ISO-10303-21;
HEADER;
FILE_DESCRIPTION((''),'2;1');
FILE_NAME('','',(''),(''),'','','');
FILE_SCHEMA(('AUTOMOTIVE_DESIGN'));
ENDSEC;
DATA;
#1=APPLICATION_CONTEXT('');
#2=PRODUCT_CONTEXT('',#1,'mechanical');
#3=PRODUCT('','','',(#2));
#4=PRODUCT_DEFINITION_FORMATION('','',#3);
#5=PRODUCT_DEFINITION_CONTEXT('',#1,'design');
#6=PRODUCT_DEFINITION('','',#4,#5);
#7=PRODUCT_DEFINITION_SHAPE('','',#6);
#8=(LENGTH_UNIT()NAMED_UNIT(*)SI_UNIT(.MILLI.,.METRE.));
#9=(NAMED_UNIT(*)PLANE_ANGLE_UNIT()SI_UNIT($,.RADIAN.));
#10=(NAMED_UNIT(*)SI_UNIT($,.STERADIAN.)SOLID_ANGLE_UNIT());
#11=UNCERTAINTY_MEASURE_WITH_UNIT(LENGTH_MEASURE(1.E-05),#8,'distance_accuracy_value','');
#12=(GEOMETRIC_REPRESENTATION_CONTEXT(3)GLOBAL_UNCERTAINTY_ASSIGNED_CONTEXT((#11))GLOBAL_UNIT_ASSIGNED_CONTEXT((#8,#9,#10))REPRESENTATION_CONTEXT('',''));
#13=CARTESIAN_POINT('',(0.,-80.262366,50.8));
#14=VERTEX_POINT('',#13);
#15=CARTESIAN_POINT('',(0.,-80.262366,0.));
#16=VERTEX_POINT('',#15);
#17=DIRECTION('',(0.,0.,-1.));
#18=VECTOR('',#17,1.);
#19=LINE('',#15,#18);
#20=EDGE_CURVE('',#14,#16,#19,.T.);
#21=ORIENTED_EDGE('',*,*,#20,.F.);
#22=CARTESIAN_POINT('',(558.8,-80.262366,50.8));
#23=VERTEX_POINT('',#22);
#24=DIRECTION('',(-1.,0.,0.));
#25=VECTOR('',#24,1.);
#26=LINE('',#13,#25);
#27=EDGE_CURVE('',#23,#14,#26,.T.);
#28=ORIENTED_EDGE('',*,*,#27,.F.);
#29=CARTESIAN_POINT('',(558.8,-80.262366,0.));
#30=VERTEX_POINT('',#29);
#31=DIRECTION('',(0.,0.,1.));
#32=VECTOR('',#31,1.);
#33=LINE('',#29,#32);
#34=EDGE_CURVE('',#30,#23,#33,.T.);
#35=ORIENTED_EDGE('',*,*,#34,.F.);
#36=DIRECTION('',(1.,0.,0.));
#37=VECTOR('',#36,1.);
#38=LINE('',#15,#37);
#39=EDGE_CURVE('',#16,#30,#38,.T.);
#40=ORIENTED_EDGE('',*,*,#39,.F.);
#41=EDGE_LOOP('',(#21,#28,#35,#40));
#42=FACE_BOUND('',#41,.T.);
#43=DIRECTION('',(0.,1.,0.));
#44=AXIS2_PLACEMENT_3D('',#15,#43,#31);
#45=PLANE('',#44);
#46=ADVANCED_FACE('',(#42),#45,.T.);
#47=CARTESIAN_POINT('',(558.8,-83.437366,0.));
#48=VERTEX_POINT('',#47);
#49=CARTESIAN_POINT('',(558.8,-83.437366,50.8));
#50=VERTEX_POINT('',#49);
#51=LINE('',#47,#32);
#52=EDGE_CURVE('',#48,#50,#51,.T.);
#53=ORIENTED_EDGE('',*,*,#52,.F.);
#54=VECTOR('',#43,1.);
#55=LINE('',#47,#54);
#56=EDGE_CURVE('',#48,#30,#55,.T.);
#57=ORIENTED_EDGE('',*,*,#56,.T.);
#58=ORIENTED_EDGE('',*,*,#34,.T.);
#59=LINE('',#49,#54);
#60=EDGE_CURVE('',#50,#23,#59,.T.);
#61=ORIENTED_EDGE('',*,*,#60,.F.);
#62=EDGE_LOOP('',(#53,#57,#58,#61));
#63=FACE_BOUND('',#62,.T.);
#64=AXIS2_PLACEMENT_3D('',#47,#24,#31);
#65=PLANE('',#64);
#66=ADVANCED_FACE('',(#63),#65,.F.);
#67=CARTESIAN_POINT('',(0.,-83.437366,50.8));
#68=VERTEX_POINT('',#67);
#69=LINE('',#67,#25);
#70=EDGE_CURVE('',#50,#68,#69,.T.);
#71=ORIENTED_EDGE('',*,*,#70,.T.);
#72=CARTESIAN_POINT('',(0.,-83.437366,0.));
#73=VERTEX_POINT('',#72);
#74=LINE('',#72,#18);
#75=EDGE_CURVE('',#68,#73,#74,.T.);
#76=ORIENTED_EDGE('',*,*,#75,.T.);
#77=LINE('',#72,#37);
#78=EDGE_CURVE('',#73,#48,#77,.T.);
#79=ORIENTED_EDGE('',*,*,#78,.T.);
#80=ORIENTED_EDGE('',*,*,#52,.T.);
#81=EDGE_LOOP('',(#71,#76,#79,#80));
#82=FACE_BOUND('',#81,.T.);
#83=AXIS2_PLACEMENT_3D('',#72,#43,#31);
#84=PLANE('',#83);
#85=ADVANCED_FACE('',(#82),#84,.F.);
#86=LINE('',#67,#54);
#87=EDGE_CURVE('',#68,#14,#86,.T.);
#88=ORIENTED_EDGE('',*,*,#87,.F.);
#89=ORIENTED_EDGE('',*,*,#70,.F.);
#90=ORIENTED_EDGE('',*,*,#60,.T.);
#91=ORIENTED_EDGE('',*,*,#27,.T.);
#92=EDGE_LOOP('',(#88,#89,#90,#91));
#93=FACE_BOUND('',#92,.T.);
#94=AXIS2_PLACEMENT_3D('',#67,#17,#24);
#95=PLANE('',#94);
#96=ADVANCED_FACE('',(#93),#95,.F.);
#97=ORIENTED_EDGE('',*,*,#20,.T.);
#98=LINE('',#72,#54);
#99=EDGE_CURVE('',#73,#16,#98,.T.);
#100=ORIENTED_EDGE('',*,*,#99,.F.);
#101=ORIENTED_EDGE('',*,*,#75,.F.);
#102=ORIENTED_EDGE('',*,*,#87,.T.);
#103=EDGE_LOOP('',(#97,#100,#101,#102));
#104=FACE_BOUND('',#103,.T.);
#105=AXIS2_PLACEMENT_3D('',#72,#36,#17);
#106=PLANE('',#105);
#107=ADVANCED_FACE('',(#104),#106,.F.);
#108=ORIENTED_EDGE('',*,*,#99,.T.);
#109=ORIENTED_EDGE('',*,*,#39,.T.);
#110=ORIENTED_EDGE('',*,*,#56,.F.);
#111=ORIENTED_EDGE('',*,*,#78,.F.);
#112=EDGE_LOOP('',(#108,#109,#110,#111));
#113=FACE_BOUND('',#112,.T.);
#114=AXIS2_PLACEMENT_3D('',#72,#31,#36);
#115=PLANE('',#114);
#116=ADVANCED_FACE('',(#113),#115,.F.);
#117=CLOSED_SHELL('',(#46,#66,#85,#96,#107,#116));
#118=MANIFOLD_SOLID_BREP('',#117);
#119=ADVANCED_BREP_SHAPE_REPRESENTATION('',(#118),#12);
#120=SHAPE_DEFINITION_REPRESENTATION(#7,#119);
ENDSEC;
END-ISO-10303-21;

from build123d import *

# Parameters (mm, degrees)
SKETCH1_W           = 558.8
SKETCH1_H           = 50.8
BOSS_EXTRUDE1_DEPTH = 3.175


with BuildPart() as part:
    # Sketch1 → Boss-Extrude1 (new body)
    with BuildSketch(Plane.XZ.offset(80.26236602)):
        with Locations((279.4, 25.4)):
            Rectangle(SKETCH1_W, SKETCH1_H)
    extrude(amount=BOSS_EXTRUDE1_DEPTH)


solid = part.part
